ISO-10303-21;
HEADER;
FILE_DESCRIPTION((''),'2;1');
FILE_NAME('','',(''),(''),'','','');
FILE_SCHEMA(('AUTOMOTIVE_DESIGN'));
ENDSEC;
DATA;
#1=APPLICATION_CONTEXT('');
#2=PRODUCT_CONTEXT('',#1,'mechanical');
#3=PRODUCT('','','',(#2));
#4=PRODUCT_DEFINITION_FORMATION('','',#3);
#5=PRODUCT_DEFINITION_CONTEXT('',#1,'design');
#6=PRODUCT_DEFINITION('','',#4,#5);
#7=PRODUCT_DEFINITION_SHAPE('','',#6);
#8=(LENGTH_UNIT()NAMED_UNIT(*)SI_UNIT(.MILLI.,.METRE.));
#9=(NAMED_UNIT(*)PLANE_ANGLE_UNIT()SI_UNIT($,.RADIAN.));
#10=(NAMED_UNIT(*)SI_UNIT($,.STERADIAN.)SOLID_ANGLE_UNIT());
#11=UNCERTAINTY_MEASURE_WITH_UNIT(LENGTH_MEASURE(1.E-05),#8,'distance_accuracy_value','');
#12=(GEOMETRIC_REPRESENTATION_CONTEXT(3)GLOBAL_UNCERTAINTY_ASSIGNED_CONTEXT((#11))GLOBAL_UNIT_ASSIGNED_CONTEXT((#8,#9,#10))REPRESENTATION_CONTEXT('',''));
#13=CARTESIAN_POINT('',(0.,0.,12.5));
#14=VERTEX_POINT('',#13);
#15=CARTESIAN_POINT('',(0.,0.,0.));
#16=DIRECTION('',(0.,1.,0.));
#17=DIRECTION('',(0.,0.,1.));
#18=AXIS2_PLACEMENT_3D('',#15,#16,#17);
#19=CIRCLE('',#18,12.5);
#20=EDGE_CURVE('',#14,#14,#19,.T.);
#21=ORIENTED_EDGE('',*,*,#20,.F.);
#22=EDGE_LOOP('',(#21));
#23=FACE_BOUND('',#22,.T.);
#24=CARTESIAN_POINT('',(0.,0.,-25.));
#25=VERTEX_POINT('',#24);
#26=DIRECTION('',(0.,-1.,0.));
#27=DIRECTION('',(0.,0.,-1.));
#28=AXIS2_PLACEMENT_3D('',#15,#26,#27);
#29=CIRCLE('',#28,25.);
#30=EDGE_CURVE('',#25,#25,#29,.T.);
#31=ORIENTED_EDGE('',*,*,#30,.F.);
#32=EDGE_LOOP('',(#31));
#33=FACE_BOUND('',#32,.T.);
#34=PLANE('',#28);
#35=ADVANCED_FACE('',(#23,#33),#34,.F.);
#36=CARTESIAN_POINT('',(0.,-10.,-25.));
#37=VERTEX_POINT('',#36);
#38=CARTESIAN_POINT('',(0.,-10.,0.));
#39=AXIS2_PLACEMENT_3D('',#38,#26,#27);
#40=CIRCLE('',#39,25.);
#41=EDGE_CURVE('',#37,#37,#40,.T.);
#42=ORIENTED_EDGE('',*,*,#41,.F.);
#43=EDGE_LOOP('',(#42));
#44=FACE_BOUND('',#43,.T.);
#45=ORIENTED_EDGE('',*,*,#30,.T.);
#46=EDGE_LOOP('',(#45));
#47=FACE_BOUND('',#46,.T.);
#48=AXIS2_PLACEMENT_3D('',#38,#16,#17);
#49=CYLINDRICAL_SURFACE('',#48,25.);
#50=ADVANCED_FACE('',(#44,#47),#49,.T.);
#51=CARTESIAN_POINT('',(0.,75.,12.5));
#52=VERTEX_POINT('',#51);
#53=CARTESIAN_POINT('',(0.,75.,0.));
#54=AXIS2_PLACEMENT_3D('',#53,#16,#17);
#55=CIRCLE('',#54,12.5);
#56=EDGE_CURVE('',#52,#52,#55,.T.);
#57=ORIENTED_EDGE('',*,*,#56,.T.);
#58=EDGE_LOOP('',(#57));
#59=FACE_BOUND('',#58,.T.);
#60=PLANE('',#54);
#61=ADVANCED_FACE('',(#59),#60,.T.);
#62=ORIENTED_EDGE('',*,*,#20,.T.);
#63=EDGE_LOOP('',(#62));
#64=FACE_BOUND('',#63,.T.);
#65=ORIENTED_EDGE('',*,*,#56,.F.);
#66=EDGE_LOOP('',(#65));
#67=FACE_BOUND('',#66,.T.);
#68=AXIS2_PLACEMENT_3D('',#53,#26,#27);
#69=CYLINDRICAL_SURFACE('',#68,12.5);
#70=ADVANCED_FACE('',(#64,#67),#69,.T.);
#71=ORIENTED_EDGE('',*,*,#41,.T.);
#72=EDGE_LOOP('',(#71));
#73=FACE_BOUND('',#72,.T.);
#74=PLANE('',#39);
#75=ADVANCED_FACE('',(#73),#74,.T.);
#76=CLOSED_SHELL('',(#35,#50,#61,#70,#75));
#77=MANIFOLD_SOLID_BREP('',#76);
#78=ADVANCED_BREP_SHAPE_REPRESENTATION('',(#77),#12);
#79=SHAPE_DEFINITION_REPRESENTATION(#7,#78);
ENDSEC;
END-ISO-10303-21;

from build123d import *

# Parameters (mm, degrees)
ESBO_O1_R                = 12.5
RESSALTO_EXTRUS_O1_DEPTH = 75
ESBO_O2_R                = 25
RESSALTO_EXTRUS_O2_DEPTH = 10


with BuildPart() as part:
    # Esboço1 → Ressalto-extrusão1 (new body)
    with BuildSketch(Plane(origin=(0, 0, 0), x_dir=(1, 0, 0), z_dir=(0, 1, 0))):
        with Locations(Location((0, 0, 0), (0, 0, 270))):
            Circle(ESBO_O1_R)
    extrude(amount=RESSALTO_EXTRUS_O1_DEPTH)

    # Esboço2 → Ressalto-extrusão2 (add)
    with BuildSketch(Plane.XZ):
        with Locations(Location((0, 0, 0), (0, 0, 270))):
            Circle(ESBO_O2_R)
    extrude(amount=RESSALTO_EXTRUS_O2_DEPTH)


solid = part.part
